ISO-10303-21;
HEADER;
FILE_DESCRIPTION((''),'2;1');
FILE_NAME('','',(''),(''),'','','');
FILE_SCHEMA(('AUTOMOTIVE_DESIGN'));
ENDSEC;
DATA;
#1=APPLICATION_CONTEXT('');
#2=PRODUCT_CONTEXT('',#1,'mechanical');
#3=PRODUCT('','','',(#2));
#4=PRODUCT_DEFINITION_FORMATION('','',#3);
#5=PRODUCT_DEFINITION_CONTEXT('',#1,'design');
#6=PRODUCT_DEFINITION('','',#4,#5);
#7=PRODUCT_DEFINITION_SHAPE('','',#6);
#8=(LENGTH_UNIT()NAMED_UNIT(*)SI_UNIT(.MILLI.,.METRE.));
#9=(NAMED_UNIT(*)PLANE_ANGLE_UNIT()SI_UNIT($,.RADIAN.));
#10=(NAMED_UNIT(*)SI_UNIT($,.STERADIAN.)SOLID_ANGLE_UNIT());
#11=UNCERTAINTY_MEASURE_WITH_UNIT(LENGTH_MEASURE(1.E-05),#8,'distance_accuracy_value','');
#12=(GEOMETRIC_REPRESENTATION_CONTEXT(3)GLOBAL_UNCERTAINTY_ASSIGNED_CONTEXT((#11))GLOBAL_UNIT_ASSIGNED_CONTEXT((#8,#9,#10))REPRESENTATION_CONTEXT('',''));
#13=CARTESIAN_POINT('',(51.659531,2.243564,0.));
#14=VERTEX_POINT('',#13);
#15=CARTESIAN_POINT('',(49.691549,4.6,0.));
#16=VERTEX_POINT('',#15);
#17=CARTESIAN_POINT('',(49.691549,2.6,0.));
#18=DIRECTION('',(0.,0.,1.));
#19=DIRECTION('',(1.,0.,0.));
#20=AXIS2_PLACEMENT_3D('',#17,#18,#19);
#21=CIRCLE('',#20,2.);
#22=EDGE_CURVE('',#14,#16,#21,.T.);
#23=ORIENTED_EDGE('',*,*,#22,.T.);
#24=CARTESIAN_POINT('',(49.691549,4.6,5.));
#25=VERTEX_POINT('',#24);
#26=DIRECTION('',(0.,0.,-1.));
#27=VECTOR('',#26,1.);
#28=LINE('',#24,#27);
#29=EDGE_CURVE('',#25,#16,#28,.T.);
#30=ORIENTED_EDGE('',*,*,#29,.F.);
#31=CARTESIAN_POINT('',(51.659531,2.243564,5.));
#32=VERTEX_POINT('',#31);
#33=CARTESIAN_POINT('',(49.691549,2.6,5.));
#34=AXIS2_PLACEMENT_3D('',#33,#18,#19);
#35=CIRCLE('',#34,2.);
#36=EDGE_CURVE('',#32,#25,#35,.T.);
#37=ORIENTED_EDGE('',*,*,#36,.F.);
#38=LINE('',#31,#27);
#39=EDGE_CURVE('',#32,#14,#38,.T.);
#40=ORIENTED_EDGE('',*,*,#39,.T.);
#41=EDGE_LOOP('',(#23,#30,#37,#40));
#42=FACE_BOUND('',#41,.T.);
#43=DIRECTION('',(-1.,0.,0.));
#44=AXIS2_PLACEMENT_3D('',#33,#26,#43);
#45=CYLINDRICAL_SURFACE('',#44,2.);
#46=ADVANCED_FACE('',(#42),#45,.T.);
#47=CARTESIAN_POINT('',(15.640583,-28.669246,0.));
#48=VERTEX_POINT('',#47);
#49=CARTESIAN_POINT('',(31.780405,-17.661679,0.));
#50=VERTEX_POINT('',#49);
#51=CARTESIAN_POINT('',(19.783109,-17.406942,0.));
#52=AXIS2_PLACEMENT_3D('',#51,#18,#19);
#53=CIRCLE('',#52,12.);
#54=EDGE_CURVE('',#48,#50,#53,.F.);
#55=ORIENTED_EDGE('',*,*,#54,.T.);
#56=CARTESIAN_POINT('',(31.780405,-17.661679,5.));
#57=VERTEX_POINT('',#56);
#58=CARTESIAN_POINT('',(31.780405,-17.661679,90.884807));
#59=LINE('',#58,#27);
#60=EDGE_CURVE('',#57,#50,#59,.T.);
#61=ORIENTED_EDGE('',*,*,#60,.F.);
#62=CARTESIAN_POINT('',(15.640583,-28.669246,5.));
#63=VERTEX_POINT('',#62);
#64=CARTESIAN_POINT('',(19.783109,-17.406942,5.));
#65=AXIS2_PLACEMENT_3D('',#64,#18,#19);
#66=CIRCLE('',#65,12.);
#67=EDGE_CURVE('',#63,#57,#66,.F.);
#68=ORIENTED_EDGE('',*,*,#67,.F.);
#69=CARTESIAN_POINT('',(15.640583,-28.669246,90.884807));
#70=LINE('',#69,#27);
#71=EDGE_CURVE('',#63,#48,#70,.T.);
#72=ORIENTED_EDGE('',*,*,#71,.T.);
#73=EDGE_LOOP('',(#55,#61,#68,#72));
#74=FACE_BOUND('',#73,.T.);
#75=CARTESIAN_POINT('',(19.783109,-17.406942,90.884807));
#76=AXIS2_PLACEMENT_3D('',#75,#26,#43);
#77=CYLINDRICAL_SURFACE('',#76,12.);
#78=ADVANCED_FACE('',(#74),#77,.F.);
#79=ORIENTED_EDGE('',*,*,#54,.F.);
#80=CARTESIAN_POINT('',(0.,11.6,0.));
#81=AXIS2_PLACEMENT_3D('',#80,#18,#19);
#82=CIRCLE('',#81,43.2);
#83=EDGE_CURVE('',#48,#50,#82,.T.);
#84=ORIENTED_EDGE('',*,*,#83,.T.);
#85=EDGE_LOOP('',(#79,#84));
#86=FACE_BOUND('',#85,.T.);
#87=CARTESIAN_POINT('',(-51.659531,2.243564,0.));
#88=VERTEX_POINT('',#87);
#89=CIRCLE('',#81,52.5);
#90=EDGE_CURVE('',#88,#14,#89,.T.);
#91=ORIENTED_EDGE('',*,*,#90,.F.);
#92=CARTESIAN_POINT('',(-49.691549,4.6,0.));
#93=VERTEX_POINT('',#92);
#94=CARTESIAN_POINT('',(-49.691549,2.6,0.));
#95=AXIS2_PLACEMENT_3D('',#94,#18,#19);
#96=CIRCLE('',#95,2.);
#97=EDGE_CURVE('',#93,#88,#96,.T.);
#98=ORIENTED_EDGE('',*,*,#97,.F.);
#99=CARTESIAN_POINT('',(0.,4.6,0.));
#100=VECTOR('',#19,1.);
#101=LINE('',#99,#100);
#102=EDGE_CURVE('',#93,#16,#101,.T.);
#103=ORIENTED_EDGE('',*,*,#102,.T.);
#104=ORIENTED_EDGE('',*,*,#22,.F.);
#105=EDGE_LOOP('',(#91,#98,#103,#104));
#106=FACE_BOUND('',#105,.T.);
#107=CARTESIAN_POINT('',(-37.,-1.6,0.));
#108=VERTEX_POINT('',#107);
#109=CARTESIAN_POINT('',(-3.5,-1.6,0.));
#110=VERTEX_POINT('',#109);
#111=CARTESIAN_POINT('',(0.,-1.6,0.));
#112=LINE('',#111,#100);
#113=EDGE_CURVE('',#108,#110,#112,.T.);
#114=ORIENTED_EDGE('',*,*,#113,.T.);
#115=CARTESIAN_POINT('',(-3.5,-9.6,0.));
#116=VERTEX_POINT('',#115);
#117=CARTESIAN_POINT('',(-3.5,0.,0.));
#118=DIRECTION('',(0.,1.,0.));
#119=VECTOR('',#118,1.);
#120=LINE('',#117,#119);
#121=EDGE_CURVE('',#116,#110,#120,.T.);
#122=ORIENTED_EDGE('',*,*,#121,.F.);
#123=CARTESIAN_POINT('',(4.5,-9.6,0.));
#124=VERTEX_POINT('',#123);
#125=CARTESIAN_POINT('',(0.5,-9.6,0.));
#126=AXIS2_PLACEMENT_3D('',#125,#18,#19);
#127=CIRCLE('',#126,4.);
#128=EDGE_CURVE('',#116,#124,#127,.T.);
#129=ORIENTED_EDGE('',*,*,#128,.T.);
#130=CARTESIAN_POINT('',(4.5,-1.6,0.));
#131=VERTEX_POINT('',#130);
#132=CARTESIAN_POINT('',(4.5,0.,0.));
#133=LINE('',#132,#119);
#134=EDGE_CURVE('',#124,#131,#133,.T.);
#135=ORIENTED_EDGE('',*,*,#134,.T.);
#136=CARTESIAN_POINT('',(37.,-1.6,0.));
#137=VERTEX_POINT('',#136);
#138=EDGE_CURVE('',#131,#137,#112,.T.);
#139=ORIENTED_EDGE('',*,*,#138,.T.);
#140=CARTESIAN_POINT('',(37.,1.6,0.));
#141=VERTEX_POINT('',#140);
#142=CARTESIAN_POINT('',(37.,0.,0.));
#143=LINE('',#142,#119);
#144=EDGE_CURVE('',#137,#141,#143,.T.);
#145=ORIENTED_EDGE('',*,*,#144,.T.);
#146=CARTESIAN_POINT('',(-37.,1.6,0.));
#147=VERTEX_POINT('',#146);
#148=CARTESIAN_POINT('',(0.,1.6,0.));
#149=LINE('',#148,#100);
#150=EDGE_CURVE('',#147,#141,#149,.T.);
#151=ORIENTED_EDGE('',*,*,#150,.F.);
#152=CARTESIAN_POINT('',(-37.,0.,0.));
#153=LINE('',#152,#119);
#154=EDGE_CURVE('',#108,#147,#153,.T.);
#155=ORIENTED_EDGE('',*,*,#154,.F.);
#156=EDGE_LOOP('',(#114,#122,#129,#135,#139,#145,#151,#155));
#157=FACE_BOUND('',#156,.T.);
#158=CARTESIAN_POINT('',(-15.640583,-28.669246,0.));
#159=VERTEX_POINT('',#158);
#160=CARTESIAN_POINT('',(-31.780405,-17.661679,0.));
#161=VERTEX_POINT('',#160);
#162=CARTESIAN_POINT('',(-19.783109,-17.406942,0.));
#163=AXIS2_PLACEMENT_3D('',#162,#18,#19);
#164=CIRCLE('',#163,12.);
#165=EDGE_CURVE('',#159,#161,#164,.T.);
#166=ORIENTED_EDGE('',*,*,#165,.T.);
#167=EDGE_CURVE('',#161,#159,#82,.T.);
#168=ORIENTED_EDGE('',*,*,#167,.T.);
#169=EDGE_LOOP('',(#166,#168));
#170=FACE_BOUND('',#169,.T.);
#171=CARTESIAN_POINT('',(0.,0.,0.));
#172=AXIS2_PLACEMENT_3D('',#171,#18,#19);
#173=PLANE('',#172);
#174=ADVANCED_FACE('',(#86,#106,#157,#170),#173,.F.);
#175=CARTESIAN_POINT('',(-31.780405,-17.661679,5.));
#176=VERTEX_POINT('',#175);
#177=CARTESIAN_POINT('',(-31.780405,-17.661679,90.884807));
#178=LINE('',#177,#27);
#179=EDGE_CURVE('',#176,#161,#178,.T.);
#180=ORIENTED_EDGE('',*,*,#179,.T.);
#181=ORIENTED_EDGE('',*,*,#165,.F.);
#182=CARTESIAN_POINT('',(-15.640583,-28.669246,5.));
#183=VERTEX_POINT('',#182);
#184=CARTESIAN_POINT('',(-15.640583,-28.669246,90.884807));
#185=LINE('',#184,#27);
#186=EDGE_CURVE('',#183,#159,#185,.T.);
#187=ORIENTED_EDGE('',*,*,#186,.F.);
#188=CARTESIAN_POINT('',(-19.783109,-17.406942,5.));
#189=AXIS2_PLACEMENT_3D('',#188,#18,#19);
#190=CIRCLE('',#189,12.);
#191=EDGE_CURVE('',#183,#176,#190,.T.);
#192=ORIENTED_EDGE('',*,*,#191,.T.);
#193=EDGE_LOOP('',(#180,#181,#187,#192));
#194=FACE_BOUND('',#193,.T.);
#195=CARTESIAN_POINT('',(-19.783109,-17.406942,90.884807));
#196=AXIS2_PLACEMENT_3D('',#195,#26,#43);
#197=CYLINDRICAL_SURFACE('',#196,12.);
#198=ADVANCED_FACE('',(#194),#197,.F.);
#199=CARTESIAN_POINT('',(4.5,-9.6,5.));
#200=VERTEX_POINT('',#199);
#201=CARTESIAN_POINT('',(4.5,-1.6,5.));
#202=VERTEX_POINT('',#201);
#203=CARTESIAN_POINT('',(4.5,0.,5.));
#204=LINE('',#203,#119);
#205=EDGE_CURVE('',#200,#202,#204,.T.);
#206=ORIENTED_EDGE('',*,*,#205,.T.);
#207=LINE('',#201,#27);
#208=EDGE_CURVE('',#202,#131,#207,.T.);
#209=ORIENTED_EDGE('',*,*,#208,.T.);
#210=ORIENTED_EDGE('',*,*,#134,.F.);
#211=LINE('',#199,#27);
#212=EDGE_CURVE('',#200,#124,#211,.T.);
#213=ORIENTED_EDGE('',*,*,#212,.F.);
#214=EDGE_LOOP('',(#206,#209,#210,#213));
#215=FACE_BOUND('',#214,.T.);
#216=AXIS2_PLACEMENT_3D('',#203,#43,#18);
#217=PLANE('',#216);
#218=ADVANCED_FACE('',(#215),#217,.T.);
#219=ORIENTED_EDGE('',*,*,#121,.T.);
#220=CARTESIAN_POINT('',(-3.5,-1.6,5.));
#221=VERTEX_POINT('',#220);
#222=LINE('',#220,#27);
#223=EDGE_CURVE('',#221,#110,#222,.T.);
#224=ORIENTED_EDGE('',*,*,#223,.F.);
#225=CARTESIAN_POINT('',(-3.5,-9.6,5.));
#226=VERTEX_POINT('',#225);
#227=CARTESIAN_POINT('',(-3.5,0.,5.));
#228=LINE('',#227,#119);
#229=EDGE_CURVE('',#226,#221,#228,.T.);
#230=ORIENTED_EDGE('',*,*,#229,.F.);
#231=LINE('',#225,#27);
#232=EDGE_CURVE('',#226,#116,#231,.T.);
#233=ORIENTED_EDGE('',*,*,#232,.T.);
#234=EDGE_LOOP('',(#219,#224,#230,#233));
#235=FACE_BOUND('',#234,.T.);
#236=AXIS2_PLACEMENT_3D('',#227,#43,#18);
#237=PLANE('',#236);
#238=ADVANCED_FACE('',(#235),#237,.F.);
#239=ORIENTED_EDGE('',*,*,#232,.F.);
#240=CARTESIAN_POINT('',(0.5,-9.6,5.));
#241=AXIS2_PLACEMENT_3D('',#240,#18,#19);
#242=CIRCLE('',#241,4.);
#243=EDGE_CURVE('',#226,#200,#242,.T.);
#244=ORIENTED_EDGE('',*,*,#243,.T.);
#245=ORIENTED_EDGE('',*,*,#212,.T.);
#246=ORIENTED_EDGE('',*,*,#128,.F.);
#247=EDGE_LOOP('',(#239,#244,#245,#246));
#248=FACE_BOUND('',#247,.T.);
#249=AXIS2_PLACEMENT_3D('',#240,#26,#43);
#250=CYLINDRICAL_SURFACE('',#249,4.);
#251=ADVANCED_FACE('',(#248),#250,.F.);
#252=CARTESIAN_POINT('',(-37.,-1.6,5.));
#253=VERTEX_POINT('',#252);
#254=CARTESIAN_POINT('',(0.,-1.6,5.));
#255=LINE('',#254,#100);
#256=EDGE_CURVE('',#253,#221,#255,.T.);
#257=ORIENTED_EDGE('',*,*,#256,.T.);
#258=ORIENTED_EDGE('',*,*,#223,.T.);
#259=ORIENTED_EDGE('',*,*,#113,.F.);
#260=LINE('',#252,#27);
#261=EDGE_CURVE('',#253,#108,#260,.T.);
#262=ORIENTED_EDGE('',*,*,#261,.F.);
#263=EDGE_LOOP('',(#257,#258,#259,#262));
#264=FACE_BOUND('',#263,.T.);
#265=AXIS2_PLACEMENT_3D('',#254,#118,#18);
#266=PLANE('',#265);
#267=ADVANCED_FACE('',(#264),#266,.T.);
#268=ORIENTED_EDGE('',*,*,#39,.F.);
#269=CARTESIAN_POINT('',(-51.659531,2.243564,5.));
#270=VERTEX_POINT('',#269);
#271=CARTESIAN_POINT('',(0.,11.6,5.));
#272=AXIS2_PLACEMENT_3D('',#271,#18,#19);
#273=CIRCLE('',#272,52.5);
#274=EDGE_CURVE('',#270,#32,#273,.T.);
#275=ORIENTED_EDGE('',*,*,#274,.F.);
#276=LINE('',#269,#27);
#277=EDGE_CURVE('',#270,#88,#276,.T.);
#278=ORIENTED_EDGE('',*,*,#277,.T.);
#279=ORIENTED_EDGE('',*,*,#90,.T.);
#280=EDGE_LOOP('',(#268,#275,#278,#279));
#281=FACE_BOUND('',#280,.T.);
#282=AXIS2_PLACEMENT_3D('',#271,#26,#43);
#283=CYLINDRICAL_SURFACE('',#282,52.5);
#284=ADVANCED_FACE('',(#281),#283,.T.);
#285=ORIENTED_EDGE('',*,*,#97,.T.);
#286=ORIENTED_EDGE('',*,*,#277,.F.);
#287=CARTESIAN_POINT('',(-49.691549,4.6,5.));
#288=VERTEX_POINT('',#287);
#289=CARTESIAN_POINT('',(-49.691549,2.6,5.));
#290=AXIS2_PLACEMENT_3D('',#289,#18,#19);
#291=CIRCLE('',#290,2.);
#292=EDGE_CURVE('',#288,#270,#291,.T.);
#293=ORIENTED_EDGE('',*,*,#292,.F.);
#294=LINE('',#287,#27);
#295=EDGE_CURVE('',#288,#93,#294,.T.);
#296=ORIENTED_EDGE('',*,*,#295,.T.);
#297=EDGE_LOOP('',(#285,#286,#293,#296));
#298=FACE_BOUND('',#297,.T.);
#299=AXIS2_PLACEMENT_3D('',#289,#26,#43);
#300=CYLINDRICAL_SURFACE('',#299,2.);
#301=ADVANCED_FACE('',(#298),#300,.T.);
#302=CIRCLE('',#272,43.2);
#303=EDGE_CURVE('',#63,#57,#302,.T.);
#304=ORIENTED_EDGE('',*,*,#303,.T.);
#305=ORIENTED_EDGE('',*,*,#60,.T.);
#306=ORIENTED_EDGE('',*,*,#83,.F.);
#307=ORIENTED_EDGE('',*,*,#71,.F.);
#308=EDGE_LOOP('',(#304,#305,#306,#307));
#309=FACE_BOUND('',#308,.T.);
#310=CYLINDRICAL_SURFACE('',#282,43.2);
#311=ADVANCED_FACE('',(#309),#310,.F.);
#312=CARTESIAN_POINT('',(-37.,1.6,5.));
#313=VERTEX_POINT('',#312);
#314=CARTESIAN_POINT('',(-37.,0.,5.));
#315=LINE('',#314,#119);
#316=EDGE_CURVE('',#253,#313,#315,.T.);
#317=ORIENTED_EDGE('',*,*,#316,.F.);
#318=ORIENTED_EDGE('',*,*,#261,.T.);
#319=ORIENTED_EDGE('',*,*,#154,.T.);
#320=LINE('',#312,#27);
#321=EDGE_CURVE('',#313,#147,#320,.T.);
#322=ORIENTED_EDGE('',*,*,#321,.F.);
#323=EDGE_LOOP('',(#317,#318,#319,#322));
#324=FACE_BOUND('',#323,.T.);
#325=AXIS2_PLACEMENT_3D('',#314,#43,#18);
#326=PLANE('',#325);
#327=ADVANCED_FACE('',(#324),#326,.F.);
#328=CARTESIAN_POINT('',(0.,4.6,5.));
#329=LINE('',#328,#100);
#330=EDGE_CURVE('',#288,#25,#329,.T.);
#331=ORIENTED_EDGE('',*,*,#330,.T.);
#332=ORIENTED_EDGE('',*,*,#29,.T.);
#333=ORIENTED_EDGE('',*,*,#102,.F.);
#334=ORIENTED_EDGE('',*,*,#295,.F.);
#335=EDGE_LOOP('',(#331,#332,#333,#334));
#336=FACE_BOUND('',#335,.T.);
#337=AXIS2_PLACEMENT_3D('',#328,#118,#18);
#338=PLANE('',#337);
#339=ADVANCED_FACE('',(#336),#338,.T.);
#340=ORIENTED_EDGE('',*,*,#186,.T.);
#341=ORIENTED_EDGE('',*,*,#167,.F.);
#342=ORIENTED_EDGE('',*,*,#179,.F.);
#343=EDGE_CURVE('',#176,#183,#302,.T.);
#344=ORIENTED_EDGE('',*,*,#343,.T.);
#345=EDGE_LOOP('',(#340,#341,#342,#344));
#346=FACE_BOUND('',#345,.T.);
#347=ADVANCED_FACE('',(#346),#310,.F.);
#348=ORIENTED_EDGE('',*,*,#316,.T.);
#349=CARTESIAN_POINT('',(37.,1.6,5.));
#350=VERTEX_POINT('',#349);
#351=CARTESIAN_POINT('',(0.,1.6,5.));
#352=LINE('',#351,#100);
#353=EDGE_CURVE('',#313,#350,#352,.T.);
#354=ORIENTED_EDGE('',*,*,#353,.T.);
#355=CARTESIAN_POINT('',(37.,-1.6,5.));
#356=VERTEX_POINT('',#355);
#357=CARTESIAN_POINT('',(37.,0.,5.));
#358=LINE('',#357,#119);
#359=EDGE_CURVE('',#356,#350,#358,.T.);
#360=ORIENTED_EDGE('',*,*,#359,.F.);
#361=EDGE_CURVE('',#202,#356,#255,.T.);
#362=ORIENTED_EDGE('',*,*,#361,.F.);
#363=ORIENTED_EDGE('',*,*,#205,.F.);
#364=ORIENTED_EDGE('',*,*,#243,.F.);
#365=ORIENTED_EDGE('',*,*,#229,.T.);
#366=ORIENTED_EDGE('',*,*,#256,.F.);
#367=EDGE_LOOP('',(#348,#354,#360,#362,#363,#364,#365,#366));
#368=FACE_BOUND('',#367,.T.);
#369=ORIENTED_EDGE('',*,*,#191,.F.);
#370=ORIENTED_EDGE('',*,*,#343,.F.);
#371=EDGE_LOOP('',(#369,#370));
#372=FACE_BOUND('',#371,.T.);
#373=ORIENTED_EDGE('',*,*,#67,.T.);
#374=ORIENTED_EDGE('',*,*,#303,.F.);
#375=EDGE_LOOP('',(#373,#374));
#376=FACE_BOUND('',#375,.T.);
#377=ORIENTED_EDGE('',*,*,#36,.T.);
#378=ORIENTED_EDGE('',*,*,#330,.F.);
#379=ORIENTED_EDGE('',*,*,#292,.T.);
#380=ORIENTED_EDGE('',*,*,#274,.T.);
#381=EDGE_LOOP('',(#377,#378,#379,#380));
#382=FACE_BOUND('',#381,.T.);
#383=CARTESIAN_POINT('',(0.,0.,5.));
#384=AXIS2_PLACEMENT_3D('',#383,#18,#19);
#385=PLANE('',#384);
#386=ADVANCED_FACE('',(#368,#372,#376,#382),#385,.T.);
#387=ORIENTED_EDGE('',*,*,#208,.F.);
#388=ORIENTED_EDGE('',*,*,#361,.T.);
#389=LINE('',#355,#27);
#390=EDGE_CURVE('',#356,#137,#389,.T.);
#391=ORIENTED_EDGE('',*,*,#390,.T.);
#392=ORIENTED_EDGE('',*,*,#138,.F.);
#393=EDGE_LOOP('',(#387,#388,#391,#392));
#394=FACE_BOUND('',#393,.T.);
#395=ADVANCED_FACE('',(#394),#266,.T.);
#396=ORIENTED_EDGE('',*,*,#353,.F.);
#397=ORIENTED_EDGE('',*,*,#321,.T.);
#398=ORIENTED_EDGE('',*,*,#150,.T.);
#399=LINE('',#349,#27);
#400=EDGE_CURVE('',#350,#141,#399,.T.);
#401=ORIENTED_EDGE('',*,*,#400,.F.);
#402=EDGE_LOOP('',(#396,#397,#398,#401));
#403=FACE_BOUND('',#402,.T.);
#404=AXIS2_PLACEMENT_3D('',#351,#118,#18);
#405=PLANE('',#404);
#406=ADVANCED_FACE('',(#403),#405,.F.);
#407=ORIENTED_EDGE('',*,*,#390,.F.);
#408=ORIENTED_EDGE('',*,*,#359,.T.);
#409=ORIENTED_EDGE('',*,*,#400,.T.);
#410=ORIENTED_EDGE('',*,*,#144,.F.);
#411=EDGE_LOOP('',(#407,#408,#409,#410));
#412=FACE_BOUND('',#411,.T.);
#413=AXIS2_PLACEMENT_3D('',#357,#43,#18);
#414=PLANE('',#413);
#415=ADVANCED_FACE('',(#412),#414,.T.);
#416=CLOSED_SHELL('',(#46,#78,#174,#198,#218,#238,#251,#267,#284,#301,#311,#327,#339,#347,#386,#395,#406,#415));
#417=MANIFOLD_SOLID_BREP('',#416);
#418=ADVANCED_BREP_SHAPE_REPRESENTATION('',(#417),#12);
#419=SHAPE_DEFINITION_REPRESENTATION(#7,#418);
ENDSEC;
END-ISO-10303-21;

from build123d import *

# Parameters (mm, degrees)
SALIENTE_EXTRUIR1_DEPTH = 5
SALIENTE_EXTRUIR2_DEPTH = 5


with BuildPart() as part:
    # Croquis1 → Saliente-Extruir1 (new body)
    with BuildSketch(Plane.XY):
        with BuildLine():
            ThreePointArc((-51.659530699, 2.243564356), (0, -40.9), (51.659530699, 2.243564356))
            ThreePointArc((51.659530699, 2.243564356), (51.226617189, 3.88201574), (49.691548577, 4.6))
            Line((49.691548577, 4.6), (-49.691548577, 4.6))
            ThreePointArc((-49.691548577, 4.6), (-51.226617189, 3.88201574), (-51.659530699, 2.243564356))
        make_face()
        with BuildLine():
            ThreePointArc((-3.5, -31.457984161), (-25.58189602, -23.211012568), (-40.04747183, -4.6))
            Line((-40.04747183, -4.6), (-5.5, -4.6))
            Line((-5.5, -4.6), (-5.5, -9.6))
            ThreePointArc((-5.5, -9.6), (-4.977225575, -12.049489743), (-3.5, -14.072135955))
            Line((-3.5, -14.072135955), (-3.5, -31.457984161))
        make_face(mode=Mode.SUBTRACT)
        with BuildLine():
            ThreePointArc((40.04747183, -4.6), (25.984811469, -22.911296309), (4.5, -31.364985744))
            Line((4.5, -31.364985744), (4.5, -14.072135955))
            ThreePointArc((4.5, -14.072135955), (5.977225575, -12.049489743), (6.5, -9.6))
            Line((6.5, -9.6), (6.5, -4.6))
            Line((6.5, -4.6), (40.04747183, -4.6))
        make_face(mode=Mode.SUBTRACT)
        with BuildLine():
            Line((-3.5, -1.6), (-37, -1.6))
            Line((-37, -1.6), (-37, 1.6))
            Line((-37, 1.6), (37, 1.6))
            Line((37, 1.6), (37, -1.6))
            Line((37, -1.6), (4.5, -1.6))
            Line((4.5, -1.6), (4.5, -9.6))
            ThreePointArc((4.5, -9.6), (0.5, -13.6), (-3.5, -9.6))
            Line((-3.5, -9.6), (-3.5, -1.6))
        make_face(mode=Mode.SUBTRACT)
    extrude(amount=SALIENTE_EXTRUIR1_DEPTH)

    # Croquis3 → Saliente-Extruir2 (add)
    with BuildSketch(Plane.XY):
        with BuildLine():
            Line((40.04747183, -4.6), (6.5, -4.6))
            Line((6.5, -4.6), (6.5, -9.6))
            ThreePointArc((6.5, -9.6), (5.977225575, -12.049489743), (4.5, -14.072135955))
            Line((4.5, -14.072135955), (4.5, -31.364985744))
            ThreePointArc((4.5, -31.364985744), (10.160094866, -30.388242072), (15.640583324, -28.66924575))
            ThreePointArc((15.640583324, -28.66924575), (13.021749092, -7.49311258), (31.780404624, -17.661679411))
            ThreePointArc((31.780404624, -17.661679411), (36.502915311, -11.503618196), (40.04747183, -4.6))
        make_face()
        with BuildLine():
            Line((-3.5, -31.457984161), (-3.5, -14.072135955))
            ThreePointArc((-3.5, -14.072135955), (-4.977225575, -12.049489743), (-5.5, -9.6))
            Line((-5.5, -9.6), (-5.5, -4.6))
            Line((-5.5, -4.6), (-40.04747183, -4.6))
            ThreePointArc((-40.04747183, -4.6), (-36.502915311, -11.503618196), (-31.780404624, -17.661679411))
            ThreePointArc((-31.780404624, -17.661679411), (-13.021749092, -7.49311258), (-15.640583324, -28.66924575))
            ThreePointArc((-15.640583324, -28.66924575), (-9.671336411, -30.50350641), (-3.5, -31.457984161))
        make_face()
    extrude(amount=SALIENTE_EXTRUIR2_DEPTH)


solid = part.part
